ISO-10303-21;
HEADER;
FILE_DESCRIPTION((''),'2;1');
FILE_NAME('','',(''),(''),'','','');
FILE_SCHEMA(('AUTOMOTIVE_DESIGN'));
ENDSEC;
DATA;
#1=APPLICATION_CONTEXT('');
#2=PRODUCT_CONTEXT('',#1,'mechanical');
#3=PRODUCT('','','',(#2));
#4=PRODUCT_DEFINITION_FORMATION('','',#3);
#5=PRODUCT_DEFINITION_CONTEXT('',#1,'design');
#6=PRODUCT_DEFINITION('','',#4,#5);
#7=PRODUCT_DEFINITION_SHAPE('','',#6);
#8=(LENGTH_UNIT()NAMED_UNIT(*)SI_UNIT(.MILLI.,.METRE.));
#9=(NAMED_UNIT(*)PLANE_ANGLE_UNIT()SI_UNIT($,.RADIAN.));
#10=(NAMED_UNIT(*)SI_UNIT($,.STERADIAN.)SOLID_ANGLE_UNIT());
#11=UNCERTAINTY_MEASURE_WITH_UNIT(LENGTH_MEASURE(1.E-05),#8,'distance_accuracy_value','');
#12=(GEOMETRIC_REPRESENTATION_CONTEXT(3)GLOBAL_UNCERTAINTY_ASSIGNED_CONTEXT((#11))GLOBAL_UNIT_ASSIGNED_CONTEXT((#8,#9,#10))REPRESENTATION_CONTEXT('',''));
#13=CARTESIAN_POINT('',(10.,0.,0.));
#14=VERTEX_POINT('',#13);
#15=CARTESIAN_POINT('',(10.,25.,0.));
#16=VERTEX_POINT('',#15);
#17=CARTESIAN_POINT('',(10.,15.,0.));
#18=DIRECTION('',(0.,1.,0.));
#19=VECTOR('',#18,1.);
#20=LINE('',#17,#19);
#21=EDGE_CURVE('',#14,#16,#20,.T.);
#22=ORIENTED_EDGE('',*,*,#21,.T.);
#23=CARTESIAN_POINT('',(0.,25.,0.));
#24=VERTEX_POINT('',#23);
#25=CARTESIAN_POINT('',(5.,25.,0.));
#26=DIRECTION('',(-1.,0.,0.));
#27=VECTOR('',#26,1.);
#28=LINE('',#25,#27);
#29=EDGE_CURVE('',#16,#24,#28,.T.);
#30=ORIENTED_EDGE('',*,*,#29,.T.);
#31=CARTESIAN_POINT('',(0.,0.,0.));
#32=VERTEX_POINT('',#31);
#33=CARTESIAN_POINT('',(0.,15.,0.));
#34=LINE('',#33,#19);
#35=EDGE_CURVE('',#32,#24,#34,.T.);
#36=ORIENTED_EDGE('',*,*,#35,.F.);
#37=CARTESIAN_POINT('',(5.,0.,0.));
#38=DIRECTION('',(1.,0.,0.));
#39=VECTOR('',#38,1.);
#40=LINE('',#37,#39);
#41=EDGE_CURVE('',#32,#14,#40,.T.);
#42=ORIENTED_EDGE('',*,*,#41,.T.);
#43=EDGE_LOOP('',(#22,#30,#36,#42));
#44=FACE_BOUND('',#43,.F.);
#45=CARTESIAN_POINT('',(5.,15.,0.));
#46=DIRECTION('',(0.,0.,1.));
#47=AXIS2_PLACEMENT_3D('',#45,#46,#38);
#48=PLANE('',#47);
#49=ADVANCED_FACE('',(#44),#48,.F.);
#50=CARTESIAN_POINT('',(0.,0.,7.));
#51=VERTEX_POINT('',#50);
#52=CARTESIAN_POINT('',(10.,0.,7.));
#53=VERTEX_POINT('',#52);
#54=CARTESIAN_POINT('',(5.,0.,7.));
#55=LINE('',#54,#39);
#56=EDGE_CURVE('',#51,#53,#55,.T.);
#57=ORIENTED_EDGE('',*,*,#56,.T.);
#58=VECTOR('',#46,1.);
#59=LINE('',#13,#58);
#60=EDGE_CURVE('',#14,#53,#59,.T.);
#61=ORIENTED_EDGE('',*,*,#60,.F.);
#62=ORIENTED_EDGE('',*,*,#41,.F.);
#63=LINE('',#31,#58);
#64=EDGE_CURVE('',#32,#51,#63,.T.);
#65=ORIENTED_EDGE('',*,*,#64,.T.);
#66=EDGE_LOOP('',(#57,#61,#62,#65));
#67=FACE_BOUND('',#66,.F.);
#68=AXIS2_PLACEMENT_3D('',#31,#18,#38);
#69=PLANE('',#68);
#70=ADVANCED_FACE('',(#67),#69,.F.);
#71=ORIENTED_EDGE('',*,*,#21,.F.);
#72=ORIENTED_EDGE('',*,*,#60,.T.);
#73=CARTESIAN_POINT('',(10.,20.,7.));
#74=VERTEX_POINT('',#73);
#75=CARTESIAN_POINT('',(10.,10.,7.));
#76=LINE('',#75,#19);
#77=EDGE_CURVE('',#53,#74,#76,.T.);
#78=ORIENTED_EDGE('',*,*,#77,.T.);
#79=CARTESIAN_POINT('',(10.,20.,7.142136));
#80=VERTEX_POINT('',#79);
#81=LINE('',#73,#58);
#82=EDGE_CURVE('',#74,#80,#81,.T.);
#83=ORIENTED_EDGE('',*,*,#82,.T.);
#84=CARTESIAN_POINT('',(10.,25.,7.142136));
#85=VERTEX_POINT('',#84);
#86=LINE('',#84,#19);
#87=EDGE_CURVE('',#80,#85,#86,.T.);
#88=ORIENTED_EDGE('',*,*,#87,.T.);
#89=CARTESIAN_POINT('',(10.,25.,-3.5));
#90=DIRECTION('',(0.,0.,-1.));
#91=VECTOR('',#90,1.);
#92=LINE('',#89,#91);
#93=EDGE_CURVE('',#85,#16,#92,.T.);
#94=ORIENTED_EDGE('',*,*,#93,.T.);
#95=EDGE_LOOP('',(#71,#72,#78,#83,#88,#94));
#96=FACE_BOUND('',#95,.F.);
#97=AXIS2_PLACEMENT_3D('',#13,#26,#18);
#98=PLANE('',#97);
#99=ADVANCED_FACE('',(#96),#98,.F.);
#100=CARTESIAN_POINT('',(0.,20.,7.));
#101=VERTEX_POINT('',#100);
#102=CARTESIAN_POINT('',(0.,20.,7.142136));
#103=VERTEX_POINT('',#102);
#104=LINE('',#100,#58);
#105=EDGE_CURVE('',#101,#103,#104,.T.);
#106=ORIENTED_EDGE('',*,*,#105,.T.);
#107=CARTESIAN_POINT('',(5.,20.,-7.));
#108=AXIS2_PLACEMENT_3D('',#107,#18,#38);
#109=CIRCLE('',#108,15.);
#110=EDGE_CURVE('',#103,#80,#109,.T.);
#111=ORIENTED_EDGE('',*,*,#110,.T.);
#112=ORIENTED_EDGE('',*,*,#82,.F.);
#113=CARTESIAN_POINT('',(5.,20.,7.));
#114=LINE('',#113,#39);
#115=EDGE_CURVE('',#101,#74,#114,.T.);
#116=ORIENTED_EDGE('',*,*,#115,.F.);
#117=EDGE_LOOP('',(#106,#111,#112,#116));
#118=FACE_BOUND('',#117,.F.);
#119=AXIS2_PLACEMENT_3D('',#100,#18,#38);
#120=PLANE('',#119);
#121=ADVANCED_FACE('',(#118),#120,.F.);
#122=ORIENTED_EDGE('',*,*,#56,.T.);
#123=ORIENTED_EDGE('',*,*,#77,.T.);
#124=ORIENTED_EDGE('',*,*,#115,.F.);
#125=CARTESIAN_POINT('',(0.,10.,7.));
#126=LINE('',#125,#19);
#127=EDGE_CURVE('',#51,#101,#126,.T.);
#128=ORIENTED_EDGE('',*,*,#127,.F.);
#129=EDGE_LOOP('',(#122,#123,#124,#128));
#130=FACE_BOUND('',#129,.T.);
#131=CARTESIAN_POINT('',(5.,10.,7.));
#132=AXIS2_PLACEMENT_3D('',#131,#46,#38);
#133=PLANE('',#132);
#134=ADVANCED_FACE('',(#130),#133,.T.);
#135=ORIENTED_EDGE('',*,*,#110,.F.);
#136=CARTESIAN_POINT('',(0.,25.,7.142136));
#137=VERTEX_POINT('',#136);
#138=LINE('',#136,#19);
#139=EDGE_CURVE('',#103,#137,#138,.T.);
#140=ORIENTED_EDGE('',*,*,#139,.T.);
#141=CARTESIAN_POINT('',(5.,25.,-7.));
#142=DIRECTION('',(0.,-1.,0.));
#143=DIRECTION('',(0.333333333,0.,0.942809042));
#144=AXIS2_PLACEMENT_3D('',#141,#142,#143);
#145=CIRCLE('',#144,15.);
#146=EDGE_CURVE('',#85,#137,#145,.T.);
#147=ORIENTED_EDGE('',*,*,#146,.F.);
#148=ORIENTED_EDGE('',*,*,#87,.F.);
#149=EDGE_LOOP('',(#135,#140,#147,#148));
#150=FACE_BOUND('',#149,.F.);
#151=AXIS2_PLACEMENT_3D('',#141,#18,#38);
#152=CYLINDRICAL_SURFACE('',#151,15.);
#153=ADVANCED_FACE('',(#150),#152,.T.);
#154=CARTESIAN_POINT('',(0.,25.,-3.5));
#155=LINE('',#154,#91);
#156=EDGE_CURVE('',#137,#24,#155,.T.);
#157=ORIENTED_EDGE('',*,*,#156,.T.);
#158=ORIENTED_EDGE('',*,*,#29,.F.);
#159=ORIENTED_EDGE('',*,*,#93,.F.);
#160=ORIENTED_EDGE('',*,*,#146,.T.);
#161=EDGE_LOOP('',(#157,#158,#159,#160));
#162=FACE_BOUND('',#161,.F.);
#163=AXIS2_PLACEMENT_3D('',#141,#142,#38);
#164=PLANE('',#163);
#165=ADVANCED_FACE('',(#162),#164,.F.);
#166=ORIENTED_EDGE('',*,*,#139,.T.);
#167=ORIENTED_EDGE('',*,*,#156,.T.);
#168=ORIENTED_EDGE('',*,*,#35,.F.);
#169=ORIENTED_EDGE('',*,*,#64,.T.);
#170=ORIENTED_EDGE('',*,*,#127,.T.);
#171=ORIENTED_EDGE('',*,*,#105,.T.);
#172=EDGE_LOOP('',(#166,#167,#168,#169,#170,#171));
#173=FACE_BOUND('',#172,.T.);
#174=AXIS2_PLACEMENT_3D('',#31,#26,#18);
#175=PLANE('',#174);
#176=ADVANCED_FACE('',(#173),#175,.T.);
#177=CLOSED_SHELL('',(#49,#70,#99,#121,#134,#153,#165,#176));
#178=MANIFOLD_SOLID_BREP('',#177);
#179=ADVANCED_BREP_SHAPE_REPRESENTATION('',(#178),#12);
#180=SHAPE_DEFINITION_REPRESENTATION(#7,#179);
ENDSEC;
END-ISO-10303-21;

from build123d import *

# Parameters (mm, degrees)
BOX001_W            = 10
BOX001_H            = 20
BOX001_DEPTH        = 10
BOX_W               = 10
BOX_H               = 30
BOX_DEPTH           = 8
CYLINDER_R          = 15
CYLINDER_DEPTH      = 30
CYLINDER_ROLL_ANGLE = 90


with BuildPart() as flat_top:
    # Box001 → Box001 (new body)
    with BuildSketch(Plane.XY.offset(7)):
        with Locations((5, 10)):
            Rectangle(BOX001_W, BOX001_H)
    extrude(amount=BOX001_DEPTH)


with BuildPart() as pin:
    # Box → Box (new body)
    with BuildSketch(Plane.XY):
        with Locations((5, 15)):
            Rectangle(BOX_W, BOX_H)
    extrude(amount=BOX_DEPTH)


with BuildPart() as cut:
    # Cylinder → Cylinder (new body)
    with BuildSketch(Plane.XY):
        Circle(CYLINDER_R)
    extrude(amount=CYLINDER_DEPTH)


with BuildPart() as cut_1:
    # Cylinder roll: moved
    add(cut.part.rotate(Axis((0, 0, 0), (1, 0, 0)), CYLINDER_ROLL_ANGLE))


with BuildPart() as cut_2:
    # Cylinder placement: moved
    add(cut_1.part.moved(Location((5, 25, -7))))

    # Common: intersect pin
    add(pin.part, mode=Mode.INTERSECT)

    # Cut: cut flat_top
    add(flat_top.part, mode=Mode.SUBTRACT)


solid = cut_2.part
